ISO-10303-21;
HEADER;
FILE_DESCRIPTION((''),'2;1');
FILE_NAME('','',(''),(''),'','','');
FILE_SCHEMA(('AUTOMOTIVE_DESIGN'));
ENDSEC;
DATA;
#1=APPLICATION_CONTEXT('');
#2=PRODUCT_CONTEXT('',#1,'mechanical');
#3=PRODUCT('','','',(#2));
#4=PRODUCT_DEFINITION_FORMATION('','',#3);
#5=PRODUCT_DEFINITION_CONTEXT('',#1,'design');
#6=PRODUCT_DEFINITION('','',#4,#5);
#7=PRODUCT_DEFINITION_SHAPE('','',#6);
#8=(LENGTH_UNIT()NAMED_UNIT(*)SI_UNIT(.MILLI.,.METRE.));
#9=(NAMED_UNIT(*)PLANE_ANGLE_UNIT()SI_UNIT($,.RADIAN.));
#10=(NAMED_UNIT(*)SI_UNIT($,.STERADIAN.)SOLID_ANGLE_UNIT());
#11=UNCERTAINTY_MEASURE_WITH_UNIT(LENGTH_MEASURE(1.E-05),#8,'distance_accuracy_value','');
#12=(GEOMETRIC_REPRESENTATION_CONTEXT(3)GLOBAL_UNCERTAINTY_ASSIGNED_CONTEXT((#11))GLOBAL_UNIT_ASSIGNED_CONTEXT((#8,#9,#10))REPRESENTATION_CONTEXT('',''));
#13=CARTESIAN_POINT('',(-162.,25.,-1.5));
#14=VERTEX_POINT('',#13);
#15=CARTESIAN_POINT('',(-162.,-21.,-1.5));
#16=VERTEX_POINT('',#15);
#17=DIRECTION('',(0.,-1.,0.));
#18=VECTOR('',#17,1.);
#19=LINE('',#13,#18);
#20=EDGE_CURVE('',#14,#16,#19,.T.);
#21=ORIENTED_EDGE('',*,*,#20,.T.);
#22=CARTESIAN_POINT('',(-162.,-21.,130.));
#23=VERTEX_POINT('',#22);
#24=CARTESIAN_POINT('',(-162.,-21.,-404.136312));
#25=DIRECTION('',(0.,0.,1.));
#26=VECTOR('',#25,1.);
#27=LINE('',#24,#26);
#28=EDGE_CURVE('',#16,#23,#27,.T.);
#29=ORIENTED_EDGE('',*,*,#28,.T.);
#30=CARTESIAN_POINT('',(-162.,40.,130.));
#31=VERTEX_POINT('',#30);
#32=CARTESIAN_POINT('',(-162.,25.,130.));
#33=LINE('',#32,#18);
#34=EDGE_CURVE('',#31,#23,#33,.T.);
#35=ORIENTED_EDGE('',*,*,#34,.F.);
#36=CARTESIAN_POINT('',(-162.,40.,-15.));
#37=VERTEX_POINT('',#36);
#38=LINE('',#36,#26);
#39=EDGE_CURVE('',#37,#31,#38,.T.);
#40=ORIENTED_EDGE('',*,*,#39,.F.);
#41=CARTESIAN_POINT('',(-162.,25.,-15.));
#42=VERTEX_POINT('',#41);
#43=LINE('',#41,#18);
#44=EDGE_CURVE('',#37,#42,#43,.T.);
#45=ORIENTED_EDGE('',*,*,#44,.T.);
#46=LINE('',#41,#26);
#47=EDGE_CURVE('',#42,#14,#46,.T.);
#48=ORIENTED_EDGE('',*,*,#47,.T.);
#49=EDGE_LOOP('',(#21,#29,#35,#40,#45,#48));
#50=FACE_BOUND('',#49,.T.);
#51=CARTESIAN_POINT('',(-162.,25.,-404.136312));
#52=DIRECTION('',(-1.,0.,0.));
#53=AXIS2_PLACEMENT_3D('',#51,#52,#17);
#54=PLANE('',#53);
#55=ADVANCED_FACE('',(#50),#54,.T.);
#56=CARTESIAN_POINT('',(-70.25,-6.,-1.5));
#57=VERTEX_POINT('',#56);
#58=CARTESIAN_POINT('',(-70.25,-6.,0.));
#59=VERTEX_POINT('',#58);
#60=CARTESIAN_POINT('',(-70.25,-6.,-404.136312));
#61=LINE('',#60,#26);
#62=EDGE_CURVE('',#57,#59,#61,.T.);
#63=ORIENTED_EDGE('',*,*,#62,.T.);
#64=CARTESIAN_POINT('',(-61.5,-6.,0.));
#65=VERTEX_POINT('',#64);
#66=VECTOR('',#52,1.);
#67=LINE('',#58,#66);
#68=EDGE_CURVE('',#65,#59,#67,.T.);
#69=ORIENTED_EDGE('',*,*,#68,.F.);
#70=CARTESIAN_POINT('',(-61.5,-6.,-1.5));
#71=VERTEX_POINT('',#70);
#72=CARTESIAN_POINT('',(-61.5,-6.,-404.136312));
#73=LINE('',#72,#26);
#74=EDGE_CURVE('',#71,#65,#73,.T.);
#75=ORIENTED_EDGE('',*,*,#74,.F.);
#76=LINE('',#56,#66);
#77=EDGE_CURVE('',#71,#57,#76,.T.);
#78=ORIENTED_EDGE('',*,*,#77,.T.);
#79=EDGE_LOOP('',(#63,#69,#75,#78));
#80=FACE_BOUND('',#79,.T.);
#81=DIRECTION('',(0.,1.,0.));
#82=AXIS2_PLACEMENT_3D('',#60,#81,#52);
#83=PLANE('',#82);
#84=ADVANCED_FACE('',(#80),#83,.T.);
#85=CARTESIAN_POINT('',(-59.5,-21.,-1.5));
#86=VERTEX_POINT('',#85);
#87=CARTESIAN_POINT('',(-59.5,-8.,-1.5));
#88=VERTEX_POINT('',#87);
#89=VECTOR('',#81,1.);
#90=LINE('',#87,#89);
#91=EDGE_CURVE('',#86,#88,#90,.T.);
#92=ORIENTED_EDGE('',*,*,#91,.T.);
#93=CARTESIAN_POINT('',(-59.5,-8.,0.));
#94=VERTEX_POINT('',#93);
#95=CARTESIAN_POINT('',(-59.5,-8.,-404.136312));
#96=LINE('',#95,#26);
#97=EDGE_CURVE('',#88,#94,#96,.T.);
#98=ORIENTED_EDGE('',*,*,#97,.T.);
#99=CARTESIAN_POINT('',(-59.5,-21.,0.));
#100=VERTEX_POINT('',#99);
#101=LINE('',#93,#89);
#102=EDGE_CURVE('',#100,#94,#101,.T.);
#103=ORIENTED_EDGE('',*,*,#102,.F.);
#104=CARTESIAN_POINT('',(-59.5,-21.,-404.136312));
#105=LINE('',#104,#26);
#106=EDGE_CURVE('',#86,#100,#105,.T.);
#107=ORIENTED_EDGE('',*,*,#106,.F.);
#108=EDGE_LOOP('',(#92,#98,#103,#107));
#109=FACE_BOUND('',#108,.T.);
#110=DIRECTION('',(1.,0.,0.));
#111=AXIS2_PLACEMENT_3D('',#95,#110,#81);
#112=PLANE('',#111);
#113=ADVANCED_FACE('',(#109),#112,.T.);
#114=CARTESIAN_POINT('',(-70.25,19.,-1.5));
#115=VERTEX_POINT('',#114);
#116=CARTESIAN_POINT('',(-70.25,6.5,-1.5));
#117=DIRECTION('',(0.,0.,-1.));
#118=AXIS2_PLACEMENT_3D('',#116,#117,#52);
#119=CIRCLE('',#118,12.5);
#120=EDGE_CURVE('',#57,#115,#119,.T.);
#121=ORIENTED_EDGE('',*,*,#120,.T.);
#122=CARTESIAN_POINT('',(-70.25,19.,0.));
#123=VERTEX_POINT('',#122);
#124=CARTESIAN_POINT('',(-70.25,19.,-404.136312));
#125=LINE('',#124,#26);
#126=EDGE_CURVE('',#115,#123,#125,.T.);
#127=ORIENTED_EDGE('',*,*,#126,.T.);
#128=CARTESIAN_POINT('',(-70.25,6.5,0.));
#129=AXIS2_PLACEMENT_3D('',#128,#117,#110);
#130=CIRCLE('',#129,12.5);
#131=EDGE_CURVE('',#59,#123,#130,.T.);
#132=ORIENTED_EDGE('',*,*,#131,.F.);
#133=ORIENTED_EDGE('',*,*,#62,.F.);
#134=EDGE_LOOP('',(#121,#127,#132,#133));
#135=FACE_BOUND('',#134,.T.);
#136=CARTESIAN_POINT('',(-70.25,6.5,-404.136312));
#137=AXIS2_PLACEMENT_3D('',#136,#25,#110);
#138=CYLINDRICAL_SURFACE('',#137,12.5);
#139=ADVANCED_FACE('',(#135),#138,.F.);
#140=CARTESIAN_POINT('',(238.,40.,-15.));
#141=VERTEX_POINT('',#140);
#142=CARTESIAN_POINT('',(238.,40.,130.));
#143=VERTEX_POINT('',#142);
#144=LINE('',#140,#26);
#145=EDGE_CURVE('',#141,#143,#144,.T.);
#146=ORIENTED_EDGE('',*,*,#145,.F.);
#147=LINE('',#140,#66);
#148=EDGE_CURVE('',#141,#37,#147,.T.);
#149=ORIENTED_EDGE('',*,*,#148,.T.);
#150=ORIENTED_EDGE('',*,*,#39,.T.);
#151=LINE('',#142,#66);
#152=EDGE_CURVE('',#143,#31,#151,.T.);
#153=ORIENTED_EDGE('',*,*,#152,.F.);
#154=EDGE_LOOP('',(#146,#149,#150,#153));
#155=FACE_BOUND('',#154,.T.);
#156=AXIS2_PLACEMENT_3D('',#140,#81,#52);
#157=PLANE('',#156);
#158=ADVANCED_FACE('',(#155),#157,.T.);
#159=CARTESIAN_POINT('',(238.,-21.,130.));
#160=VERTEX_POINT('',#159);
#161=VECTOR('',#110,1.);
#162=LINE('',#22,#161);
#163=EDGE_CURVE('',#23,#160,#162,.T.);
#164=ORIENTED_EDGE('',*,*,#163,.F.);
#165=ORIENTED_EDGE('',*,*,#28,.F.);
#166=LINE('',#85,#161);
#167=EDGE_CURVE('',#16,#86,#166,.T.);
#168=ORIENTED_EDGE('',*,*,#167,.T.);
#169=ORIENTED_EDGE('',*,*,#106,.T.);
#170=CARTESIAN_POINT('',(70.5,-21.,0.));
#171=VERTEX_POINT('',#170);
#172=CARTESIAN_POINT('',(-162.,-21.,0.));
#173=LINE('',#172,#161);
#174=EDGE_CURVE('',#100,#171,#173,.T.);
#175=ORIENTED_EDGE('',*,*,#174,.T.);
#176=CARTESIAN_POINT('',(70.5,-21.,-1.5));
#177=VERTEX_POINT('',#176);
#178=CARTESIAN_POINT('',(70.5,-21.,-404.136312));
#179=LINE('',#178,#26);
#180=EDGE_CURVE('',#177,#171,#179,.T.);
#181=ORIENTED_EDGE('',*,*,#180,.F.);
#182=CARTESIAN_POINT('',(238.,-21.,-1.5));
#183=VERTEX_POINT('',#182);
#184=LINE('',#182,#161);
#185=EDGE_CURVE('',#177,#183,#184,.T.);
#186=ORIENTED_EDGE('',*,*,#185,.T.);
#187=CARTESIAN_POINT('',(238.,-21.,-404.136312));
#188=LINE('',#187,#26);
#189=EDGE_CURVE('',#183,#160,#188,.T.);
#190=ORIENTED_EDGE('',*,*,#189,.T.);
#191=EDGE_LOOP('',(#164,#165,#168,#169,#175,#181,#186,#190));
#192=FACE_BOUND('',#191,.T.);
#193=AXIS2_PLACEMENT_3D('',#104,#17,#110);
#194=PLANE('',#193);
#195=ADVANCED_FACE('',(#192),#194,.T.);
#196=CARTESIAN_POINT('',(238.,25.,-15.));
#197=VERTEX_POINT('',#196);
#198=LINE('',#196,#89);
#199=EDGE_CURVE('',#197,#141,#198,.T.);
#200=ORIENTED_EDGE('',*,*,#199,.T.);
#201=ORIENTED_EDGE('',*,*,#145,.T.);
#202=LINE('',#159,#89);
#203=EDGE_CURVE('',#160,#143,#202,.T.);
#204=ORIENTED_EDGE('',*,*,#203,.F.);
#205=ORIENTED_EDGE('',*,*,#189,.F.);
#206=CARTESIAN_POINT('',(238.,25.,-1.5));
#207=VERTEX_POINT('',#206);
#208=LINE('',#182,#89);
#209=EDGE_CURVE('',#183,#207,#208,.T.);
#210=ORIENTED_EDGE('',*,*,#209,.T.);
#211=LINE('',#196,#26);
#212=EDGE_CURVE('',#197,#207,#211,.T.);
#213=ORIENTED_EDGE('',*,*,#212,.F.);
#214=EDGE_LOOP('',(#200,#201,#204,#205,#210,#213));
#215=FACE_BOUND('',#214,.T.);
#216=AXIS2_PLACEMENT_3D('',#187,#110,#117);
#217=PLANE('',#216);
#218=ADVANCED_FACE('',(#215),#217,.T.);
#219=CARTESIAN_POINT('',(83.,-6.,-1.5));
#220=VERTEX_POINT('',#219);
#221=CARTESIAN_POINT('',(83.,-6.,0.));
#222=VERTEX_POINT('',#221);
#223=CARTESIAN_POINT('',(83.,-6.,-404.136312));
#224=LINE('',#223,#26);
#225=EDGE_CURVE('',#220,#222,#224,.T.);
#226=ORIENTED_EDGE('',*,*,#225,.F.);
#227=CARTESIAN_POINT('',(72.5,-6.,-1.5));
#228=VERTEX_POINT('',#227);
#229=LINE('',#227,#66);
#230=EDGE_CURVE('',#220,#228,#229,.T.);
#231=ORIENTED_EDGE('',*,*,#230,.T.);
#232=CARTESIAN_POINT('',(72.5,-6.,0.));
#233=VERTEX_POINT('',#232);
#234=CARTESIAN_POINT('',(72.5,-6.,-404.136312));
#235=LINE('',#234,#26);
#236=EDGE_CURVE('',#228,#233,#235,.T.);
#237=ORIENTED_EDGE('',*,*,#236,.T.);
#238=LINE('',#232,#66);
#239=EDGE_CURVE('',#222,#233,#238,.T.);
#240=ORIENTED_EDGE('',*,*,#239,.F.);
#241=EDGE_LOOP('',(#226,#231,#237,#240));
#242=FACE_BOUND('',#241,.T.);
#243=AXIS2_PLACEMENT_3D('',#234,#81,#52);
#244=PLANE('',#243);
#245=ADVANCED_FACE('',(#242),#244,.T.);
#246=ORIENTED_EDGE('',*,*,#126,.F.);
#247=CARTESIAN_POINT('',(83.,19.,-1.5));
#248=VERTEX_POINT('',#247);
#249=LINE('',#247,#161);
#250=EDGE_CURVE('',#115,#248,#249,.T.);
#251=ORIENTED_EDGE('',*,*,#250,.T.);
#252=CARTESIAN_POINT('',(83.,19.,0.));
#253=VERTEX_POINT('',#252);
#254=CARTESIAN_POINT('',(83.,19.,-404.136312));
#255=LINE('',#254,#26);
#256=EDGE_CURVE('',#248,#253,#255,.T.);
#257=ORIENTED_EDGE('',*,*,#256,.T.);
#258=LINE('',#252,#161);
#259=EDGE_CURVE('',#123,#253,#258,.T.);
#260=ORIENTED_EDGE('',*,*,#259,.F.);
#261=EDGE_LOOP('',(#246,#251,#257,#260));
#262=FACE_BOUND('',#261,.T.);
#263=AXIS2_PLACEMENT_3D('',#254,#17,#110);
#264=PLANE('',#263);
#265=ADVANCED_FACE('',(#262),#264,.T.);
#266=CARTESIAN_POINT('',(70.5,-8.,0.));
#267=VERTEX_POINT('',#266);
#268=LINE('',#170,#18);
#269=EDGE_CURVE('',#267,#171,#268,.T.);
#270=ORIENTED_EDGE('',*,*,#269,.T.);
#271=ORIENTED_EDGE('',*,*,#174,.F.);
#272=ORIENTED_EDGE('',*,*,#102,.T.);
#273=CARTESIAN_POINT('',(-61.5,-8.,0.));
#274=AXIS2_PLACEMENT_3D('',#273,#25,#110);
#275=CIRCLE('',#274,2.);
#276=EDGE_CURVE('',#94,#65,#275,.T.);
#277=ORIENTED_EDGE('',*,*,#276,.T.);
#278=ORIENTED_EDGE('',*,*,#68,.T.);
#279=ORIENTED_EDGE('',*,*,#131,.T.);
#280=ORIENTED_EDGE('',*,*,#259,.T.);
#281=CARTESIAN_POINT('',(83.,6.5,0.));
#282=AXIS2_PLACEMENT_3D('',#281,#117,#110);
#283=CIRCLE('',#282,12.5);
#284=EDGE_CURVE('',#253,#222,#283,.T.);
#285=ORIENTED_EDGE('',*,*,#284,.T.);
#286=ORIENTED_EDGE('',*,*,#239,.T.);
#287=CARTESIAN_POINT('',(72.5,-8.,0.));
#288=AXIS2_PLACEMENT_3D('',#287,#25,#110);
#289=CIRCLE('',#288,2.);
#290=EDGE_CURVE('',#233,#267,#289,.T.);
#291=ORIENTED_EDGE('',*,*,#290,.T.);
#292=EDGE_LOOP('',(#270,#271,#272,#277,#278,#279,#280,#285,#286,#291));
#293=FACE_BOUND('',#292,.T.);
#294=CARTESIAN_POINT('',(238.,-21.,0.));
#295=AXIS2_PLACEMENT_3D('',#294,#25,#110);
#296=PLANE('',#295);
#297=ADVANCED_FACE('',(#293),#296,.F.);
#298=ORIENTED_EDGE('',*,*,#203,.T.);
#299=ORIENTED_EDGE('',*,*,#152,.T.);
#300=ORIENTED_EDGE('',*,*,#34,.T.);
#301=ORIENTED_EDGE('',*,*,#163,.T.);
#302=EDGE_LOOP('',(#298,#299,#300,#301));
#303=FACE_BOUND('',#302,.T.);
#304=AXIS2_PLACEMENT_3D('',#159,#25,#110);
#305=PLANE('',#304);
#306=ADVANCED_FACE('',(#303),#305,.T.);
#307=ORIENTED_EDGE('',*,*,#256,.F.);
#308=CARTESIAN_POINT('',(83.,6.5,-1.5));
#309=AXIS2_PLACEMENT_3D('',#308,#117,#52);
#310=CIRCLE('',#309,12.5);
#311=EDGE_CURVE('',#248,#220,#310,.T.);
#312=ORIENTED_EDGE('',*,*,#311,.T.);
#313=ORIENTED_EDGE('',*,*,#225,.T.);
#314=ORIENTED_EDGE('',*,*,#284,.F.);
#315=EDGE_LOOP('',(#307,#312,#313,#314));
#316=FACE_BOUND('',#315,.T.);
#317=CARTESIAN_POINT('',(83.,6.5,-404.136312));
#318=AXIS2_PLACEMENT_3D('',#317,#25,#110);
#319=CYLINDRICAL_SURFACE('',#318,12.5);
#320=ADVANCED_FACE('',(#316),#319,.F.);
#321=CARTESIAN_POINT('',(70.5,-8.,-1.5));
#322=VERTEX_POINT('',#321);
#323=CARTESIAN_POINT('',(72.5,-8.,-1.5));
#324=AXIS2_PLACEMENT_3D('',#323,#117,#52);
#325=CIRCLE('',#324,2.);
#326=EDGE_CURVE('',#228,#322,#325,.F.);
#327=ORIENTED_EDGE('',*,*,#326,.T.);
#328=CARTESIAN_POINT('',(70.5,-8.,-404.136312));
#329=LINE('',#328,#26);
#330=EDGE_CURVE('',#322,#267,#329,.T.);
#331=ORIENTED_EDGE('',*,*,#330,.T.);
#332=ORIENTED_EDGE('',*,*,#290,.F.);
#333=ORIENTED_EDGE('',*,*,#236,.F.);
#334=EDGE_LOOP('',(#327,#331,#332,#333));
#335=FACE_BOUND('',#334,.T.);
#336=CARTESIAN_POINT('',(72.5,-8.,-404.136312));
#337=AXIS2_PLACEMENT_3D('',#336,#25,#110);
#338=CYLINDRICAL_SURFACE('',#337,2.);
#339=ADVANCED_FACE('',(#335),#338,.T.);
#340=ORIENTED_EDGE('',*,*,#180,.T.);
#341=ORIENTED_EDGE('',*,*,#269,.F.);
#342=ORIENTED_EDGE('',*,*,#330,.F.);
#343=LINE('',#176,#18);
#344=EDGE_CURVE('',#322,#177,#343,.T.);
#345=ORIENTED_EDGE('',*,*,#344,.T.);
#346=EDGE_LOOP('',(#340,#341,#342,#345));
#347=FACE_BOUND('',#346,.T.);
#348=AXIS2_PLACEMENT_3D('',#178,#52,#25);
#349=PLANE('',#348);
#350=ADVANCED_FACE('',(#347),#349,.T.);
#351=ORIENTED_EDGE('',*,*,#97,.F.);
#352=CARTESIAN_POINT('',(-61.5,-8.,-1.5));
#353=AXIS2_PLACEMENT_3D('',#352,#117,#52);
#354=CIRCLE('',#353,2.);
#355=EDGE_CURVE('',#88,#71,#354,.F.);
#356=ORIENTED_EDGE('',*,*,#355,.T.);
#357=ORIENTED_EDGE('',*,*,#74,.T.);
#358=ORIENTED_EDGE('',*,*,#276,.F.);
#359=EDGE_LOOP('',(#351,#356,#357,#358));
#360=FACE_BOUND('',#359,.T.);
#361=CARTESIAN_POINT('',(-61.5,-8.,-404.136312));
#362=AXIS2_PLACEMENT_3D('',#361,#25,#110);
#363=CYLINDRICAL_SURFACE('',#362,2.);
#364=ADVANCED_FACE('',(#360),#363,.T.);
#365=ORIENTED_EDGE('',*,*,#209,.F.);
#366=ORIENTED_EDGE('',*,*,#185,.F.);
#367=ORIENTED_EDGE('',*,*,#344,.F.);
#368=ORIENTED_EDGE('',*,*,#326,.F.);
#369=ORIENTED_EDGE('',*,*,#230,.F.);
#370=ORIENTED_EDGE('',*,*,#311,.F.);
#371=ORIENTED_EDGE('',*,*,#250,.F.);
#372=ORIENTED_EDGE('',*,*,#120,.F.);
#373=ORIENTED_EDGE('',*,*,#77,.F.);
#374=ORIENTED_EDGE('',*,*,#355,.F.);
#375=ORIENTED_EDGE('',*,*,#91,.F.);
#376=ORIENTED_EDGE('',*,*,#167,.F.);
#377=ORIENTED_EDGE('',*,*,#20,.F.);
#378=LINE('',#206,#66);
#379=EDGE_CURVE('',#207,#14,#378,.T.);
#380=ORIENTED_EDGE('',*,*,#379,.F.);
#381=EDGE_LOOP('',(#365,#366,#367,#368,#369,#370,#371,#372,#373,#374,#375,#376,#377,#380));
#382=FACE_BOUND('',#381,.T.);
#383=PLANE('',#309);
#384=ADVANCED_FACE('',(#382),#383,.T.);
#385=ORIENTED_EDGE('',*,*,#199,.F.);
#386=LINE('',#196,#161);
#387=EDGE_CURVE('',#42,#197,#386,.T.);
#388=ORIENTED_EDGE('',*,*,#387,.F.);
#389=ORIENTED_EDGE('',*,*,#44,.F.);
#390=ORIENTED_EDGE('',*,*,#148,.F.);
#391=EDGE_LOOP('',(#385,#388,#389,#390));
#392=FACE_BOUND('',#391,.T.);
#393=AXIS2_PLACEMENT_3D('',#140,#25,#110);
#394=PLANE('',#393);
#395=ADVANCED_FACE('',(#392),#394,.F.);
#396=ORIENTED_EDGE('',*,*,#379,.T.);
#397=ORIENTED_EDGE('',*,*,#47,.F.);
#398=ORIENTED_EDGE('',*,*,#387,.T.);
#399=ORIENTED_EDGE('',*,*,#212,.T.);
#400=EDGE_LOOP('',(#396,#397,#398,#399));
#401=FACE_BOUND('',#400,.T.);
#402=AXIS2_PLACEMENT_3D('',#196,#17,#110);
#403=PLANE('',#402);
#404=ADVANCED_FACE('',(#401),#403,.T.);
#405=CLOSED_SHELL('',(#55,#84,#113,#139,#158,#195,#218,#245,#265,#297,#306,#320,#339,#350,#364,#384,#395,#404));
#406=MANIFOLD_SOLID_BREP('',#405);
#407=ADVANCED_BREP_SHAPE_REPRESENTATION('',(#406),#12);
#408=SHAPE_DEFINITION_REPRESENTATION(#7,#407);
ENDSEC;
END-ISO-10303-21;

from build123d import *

# Parameters (mm, degrees)
EXTRUSION1_DEPTH = 1.5
ESQUISSE3_W      = 400
ESQUISSE3_H      = 46
EXTRUSION2_DEPTH = 130
ESQUISSE4_W      = 400
ESQUISSE4_H      = 15
EXTRUSION3_DEPTH = 145


with BuildPart() as part:
    # Esquisse2 → Extrusion1 (new body)
    with BuildSketch(Plane.XY):
        with BuildLine():
            Line((238, -21), (70.5, -21))
            Line((70.5, -21), (70.5, -8))
            ThreePointArc((70.5, -8), (71.085786438, -6.585786438), (72.5, -6))
            Line((72.5, -6), (83, -6))
            ThreePointArc((83, -6), (95.5, 6.5), (83, 19))
            Line((83, 19), (-70.25, 19))
            ThreePointArc((-70.25, 19), (-82.75, 6.5), (-70.25, -6))
            Line((-70.25, -6), (-61.5, -6))
            ThreePointArc((-61.5, -6), (-60.085786438, -6.585786438), (-59.5, -8))
            Line((-59.5, -8), (-59.5, -21))
            Line((-59.5, -21), (-162, -21))
            Line((-162, -21), (-162, 25))
            Line((-162, 25), (238, 25))
            Line((238, 25), (238, -21))
        make_face()
    extrude(amount=-EXTRUSION1_DEPTH)

    # Esquisse3 → Extrusion2 (add)
    with BuildSketch(Plane.XY):
        with Locations((38, 2)):
            Rectangle(ESQUISSE3_W, ESQUISSE3_H)
    extrude(amount=EXTRUSION2_DEPTH)

    # Esquisse4 → Extrusion3 (add)
    with BuildSketch(Plane.XY.offset(130)):
        with Locations((38, 32.5)):
            Rectangle(ESQUISSE4_W, ESQUISSE4_H)
    extrude(amount=-EXTRUSION3_DEPTH)


solid = part.part
